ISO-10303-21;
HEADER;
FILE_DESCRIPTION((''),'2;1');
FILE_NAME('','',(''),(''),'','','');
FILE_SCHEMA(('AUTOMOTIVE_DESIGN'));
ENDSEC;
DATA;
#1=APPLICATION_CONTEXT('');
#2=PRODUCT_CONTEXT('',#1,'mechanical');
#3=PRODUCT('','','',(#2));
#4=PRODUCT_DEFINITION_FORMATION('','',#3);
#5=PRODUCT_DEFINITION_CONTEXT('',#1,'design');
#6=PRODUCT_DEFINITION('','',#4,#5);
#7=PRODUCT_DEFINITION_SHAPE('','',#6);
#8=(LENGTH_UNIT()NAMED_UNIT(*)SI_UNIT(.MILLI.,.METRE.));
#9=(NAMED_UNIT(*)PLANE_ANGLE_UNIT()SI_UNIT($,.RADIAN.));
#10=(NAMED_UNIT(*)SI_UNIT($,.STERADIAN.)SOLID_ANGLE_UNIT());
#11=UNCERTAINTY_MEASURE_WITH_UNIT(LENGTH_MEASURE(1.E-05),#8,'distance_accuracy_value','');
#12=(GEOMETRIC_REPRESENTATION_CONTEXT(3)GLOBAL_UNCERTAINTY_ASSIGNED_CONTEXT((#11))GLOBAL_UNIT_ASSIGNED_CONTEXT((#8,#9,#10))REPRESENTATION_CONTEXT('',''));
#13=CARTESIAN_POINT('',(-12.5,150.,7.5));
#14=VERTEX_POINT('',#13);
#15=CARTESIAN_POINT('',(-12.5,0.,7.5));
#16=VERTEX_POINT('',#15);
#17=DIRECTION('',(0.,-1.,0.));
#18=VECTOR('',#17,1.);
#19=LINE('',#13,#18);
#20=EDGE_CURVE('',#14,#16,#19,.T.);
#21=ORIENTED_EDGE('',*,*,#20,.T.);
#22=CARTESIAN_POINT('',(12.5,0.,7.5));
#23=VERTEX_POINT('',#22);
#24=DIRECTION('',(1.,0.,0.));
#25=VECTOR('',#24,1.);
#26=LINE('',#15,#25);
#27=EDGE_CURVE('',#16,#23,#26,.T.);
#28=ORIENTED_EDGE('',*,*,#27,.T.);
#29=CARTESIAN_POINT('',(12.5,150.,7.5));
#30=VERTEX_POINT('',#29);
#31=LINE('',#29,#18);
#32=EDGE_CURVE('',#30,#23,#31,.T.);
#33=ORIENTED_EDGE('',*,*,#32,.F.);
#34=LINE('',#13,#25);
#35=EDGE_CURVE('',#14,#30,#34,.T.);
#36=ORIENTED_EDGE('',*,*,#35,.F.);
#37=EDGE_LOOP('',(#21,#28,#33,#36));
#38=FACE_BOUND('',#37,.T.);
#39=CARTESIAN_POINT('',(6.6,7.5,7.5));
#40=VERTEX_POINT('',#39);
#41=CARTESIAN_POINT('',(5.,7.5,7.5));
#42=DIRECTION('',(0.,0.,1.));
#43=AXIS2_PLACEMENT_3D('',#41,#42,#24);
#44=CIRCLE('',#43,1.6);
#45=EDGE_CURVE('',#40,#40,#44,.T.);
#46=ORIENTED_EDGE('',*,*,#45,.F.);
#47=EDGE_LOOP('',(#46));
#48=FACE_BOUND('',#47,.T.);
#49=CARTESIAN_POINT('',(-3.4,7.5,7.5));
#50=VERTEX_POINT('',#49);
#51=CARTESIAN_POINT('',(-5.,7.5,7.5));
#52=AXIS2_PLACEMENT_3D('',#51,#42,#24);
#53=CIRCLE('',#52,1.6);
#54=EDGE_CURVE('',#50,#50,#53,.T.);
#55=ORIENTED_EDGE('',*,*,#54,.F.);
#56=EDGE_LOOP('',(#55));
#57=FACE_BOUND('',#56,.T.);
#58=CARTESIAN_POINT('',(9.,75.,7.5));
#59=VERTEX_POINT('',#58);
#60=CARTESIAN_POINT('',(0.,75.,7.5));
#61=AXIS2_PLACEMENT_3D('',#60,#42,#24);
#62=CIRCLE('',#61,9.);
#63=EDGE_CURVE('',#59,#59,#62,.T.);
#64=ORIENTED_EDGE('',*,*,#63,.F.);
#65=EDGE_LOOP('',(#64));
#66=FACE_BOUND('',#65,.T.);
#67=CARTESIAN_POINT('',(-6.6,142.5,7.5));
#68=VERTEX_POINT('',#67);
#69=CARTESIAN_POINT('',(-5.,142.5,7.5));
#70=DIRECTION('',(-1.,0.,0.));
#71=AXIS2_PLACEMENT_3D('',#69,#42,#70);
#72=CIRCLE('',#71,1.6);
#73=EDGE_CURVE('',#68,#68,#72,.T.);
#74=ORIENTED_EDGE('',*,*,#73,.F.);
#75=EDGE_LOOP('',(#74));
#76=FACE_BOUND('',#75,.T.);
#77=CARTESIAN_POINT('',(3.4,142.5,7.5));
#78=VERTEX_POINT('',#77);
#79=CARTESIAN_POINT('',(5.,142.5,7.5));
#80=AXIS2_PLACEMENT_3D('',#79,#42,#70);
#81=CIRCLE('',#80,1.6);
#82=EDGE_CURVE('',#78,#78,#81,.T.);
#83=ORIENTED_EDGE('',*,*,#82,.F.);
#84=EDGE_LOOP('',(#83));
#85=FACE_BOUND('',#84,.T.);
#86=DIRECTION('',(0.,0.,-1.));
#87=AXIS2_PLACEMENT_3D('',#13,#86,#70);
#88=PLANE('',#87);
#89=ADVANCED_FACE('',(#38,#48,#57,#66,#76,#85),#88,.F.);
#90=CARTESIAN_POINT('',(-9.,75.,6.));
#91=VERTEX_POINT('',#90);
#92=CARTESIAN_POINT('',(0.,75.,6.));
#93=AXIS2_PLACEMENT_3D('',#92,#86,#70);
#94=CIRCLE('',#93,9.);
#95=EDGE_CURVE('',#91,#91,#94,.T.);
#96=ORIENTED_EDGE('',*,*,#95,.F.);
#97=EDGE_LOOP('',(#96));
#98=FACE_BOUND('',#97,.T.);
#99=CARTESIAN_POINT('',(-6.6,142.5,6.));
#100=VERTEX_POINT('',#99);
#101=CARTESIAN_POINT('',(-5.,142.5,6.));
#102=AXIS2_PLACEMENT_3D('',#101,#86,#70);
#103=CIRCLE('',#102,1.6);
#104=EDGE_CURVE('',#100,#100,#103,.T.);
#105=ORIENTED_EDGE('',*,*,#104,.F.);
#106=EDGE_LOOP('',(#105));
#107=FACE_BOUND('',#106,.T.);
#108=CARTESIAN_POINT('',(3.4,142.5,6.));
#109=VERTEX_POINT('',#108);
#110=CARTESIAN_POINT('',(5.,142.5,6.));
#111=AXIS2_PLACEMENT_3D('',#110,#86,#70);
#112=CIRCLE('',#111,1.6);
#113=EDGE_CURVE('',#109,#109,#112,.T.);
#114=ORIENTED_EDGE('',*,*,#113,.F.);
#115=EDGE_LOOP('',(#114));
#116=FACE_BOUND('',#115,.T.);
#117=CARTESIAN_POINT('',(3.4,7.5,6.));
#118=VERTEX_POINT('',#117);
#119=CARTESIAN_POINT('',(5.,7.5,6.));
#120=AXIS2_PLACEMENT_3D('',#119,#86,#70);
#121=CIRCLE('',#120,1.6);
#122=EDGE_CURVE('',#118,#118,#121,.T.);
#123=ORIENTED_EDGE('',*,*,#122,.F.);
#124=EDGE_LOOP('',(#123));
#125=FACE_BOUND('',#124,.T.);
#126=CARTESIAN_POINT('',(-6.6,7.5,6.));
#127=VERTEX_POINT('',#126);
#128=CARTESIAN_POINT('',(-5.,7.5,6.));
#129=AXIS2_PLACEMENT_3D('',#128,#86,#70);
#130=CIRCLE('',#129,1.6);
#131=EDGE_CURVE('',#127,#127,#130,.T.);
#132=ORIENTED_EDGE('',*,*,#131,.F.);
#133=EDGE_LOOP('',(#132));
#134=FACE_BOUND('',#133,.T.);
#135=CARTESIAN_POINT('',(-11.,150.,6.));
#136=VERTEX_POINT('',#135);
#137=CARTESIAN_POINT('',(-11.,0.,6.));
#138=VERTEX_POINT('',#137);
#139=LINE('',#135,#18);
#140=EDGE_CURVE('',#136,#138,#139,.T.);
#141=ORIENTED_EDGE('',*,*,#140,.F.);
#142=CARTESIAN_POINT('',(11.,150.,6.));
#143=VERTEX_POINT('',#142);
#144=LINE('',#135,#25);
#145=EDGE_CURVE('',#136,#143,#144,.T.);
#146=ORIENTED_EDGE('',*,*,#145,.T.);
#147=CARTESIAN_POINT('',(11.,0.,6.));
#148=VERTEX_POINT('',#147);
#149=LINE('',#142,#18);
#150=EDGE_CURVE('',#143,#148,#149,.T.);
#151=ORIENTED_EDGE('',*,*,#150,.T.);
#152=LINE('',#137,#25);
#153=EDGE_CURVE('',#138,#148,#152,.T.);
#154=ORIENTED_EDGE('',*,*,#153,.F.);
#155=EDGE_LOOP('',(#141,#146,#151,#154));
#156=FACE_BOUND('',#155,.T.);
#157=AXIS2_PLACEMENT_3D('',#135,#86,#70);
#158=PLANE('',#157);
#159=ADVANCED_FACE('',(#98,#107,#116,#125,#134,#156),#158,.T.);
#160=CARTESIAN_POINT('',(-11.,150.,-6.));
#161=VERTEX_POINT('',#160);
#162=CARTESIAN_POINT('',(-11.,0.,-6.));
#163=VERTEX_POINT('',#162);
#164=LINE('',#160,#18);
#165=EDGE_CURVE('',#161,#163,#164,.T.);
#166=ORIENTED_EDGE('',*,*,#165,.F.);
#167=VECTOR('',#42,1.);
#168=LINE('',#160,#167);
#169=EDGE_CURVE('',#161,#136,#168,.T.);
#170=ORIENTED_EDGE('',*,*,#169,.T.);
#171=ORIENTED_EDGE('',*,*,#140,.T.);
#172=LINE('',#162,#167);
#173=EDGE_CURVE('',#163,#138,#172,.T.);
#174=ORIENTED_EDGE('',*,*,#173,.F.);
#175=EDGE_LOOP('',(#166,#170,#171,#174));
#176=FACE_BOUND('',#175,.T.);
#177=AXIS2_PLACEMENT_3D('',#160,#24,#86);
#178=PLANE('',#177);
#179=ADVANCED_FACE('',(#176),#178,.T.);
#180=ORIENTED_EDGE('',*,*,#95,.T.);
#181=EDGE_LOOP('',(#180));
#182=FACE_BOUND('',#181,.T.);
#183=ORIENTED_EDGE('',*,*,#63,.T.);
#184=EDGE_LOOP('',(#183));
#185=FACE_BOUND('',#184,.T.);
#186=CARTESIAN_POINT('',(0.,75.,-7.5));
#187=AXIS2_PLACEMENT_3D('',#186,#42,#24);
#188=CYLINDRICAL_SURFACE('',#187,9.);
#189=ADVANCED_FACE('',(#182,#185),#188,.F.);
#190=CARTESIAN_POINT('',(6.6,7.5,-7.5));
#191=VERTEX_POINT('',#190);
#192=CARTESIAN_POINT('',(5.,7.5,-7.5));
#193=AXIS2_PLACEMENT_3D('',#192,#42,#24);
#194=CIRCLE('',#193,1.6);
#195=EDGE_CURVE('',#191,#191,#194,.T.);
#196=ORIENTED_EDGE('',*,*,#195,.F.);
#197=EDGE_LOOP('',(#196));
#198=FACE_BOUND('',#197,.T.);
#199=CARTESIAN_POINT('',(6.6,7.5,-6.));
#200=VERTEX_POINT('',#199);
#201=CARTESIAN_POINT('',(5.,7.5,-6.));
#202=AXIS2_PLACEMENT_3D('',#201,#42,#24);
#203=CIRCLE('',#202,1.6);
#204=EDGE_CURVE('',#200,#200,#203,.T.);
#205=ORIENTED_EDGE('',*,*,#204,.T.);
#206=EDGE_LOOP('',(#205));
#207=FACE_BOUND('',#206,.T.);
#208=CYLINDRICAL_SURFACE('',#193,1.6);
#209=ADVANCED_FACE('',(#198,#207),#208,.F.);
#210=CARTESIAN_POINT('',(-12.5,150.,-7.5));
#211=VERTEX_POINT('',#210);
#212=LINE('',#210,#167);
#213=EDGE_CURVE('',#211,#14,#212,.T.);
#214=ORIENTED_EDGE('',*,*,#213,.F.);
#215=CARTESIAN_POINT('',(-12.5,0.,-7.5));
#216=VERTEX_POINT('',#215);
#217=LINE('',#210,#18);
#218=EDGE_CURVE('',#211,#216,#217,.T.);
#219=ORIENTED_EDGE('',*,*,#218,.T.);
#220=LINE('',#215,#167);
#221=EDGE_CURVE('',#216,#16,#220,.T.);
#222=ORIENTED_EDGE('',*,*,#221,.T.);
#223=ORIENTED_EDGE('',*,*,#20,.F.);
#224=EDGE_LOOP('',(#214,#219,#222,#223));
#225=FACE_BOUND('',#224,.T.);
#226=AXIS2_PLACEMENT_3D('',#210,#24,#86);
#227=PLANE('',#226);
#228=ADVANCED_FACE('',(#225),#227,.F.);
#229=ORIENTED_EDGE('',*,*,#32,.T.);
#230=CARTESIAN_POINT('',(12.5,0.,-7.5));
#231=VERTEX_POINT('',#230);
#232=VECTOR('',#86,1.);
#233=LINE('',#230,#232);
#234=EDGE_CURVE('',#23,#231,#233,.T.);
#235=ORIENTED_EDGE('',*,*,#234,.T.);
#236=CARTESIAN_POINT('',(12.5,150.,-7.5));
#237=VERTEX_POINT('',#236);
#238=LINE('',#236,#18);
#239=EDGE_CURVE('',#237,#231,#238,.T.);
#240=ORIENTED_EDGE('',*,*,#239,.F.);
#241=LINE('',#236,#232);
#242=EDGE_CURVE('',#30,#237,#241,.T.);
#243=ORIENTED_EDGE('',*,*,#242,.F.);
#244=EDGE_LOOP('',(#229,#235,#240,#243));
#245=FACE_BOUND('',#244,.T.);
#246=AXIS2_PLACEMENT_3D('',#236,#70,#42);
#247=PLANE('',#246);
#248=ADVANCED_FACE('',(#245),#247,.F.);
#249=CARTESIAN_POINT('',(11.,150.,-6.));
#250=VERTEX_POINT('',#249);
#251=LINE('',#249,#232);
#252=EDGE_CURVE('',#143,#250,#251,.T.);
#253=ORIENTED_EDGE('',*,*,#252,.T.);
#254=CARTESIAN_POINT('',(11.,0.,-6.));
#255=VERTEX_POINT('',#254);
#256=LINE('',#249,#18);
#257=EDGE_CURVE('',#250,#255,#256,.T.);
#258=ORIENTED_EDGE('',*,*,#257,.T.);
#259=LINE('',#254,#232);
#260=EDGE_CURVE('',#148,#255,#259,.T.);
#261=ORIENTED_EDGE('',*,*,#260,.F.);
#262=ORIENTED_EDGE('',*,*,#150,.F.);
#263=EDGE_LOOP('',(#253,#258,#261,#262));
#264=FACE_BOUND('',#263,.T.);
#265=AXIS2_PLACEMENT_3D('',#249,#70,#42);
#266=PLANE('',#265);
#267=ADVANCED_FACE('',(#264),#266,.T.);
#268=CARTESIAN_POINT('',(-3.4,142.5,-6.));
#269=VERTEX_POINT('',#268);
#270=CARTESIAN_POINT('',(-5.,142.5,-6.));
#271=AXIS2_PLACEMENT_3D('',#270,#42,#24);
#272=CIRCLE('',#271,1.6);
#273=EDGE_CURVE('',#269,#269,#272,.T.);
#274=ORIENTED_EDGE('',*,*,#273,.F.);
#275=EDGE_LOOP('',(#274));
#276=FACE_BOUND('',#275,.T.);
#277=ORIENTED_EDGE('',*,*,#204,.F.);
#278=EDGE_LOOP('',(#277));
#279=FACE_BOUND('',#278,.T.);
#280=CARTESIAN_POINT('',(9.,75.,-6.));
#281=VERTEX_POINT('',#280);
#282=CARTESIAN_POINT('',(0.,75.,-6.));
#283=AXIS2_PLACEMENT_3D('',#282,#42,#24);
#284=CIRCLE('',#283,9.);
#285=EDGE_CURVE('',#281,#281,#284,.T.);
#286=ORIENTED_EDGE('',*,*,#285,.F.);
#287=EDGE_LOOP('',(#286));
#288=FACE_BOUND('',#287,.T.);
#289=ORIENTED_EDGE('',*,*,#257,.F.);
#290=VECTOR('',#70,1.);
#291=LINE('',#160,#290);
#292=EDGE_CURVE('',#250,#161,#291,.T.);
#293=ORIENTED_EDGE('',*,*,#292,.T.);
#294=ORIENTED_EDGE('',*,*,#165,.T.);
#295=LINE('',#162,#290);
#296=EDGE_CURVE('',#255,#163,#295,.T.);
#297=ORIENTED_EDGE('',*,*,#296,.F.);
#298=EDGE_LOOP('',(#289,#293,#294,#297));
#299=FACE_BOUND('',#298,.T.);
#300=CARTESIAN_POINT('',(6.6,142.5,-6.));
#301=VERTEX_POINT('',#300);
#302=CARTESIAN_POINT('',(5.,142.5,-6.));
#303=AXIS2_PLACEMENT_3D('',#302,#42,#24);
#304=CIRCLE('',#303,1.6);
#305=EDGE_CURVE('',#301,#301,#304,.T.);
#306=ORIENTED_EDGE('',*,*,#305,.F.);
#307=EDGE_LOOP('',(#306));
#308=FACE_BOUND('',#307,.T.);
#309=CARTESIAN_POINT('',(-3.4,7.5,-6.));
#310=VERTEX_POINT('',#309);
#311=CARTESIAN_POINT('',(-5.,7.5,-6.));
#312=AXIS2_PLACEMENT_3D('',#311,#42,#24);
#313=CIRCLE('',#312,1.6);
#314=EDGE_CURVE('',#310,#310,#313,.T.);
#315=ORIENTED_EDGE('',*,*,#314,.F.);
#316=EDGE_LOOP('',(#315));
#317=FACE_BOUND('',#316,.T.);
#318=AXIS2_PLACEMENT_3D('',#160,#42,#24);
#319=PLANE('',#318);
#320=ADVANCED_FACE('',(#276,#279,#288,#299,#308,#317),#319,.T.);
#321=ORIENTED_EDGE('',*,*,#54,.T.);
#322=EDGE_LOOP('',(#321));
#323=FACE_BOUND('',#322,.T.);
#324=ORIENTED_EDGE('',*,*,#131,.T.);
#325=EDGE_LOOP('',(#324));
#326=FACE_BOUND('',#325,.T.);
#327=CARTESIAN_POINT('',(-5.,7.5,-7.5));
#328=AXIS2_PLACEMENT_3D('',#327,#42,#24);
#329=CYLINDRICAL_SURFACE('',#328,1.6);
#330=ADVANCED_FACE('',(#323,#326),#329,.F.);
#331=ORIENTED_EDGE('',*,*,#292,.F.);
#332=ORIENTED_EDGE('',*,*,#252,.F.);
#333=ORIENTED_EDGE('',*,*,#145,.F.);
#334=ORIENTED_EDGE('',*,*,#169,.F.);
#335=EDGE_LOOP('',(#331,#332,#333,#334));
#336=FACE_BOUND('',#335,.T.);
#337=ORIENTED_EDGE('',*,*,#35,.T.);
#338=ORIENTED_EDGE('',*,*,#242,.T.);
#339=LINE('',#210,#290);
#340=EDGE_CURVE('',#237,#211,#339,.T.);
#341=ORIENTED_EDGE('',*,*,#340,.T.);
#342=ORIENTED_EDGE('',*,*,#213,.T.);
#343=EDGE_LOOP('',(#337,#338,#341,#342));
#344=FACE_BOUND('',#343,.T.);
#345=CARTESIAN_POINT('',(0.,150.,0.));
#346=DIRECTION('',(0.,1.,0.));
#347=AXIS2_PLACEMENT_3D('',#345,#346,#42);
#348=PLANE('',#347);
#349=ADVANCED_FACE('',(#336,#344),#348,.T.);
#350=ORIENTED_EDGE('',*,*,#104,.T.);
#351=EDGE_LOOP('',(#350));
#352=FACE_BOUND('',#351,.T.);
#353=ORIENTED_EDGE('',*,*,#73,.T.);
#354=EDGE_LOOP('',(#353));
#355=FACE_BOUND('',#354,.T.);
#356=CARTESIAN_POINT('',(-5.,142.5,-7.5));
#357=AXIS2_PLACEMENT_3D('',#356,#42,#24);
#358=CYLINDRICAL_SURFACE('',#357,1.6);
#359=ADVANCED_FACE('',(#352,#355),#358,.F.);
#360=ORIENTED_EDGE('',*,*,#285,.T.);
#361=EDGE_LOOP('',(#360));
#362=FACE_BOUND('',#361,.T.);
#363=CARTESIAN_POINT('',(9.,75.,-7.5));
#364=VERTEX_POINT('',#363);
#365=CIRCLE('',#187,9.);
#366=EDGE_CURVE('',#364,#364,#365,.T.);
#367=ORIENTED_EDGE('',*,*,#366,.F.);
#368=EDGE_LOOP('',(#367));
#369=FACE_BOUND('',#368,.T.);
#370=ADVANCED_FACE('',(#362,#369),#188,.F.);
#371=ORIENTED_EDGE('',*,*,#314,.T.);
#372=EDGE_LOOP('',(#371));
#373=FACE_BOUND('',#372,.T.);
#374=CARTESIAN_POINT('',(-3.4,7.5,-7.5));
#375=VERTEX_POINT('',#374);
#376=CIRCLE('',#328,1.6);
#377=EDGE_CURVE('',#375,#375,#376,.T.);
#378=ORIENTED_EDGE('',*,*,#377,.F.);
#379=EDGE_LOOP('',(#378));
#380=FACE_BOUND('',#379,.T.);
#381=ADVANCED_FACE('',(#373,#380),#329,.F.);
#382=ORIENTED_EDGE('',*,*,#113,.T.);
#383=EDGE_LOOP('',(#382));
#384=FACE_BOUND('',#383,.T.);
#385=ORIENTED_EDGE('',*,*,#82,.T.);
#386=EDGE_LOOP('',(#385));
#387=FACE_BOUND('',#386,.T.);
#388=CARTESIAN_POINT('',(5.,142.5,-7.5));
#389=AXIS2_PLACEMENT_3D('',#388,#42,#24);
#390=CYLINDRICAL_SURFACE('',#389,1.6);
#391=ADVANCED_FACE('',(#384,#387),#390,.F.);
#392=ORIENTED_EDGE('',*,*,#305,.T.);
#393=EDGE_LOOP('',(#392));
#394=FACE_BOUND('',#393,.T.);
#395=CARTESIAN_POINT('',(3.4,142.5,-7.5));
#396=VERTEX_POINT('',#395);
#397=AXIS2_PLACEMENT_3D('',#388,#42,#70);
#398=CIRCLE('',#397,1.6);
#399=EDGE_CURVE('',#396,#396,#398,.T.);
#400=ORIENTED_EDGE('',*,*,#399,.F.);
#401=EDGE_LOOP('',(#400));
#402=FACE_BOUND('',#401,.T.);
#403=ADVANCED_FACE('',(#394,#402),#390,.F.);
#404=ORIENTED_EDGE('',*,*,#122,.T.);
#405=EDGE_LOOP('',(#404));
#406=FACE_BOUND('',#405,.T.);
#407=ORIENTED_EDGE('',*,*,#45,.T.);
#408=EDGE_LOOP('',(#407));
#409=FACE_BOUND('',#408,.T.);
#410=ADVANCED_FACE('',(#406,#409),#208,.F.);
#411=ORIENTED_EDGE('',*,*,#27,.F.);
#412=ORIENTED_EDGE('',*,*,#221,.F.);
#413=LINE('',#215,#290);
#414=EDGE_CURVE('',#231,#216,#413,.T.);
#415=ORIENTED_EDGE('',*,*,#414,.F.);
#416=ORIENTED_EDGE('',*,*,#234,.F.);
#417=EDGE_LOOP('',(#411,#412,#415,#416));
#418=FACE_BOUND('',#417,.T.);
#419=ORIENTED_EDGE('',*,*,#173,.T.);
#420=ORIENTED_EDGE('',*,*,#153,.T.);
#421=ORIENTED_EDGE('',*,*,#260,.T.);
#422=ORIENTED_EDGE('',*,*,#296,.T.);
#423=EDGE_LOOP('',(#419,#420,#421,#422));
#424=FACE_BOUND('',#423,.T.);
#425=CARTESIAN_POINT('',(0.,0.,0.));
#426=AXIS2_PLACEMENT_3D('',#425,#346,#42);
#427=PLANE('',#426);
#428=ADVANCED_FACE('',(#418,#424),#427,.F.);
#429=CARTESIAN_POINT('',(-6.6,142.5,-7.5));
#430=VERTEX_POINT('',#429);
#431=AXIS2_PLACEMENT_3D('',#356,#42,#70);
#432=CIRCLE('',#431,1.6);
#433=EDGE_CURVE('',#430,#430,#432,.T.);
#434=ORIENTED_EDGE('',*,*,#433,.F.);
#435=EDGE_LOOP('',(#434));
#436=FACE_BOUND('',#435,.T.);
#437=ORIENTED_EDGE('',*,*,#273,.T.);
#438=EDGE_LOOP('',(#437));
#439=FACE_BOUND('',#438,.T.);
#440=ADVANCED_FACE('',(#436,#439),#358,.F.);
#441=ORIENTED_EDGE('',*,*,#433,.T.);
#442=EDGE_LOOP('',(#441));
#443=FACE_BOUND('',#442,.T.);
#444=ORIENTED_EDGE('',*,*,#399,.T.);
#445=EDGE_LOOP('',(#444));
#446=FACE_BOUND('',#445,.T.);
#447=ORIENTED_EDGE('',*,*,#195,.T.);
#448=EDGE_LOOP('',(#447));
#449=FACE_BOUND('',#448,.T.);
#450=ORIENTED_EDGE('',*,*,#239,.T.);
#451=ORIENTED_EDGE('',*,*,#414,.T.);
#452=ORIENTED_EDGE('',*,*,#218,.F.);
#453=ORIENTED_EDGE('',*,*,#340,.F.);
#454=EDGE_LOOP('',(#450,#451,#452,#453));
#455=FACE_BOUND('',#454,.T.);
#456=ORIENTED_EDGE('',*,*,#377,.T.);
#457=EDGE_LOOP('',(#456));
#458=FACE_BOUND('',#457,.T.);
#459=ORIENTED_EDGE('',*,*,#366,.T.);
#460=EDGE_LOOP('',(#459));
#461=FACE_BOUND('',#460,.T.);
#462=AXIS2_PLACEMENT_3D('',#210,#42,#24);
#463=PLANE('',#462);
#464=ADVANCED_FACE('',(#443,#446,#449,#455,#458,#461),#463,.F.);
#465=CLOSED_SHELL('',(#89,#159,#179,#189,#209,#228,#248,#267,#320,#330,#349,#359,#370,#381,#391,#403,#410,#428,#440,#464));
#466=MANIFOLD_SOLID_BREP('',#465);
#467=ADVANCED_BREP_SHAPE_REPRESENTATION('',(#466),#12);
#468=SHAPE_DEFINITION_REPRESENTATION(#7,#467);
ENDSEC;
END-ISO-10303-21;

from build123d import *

# Parameters (mm, degrees)
SKETCH_1_W          = 25
SKETCH_1_H          = 15
SKETCH_1_W_2        = 22
SKETCH_1_H_2        = 12
EXTRUDE_1_DEPTH     = 150
SKETCH_2_R          = 1.6
SKETCH_2_R_2        = 9
CUT_EXTRUDE_1_DEPTH = 152.265495074


with BuildPart() as part:
    # ｽｹｯﾁ1 → ﾎﾞｽ - 押し出し1 (new body)
    with BuildSketch(Plane(origin=(0, 0, 0), x_dir=(1, 0, 0), z_dir=(0, 1, 0))):
        Rectangle(SKETCH_1_W, SKETCH_1_H)
        Rectangle(SKETCH_1_W_2, SKETCH_1_H_2, mode=Mode.SUBTRACT)
    extrude(amount=EXTRUDE_1_DEPTH)

    # ｽｹｯﾁ2 → ｶｯﾄ - 押し出し1 (cut, through all)
    with BuildSketch(Plane.XY.offset(7.5)):
        with Locations((5, 7.5)):
            Circle(SKETCH_2_R)
        with Locations((-5, 7.5)):
            Circle(SKETCH_2_R)
        with Locations(Location((5, 142.5, 0), (0, 0, 180))):
            Circle(SKETCH_2_R)
        with Locations(Location((-5, 142.5, 0), (0, 0, 180))):
            Circle(SKETCH_2_R)
        with Locations((0, 75)):
            Circle(SKETCH_2_R_2)
    extrude(amount=-CUT_EXTRUDE_1_DEPTH, mode=Mode.SUBTRACT)


solid = part.part
